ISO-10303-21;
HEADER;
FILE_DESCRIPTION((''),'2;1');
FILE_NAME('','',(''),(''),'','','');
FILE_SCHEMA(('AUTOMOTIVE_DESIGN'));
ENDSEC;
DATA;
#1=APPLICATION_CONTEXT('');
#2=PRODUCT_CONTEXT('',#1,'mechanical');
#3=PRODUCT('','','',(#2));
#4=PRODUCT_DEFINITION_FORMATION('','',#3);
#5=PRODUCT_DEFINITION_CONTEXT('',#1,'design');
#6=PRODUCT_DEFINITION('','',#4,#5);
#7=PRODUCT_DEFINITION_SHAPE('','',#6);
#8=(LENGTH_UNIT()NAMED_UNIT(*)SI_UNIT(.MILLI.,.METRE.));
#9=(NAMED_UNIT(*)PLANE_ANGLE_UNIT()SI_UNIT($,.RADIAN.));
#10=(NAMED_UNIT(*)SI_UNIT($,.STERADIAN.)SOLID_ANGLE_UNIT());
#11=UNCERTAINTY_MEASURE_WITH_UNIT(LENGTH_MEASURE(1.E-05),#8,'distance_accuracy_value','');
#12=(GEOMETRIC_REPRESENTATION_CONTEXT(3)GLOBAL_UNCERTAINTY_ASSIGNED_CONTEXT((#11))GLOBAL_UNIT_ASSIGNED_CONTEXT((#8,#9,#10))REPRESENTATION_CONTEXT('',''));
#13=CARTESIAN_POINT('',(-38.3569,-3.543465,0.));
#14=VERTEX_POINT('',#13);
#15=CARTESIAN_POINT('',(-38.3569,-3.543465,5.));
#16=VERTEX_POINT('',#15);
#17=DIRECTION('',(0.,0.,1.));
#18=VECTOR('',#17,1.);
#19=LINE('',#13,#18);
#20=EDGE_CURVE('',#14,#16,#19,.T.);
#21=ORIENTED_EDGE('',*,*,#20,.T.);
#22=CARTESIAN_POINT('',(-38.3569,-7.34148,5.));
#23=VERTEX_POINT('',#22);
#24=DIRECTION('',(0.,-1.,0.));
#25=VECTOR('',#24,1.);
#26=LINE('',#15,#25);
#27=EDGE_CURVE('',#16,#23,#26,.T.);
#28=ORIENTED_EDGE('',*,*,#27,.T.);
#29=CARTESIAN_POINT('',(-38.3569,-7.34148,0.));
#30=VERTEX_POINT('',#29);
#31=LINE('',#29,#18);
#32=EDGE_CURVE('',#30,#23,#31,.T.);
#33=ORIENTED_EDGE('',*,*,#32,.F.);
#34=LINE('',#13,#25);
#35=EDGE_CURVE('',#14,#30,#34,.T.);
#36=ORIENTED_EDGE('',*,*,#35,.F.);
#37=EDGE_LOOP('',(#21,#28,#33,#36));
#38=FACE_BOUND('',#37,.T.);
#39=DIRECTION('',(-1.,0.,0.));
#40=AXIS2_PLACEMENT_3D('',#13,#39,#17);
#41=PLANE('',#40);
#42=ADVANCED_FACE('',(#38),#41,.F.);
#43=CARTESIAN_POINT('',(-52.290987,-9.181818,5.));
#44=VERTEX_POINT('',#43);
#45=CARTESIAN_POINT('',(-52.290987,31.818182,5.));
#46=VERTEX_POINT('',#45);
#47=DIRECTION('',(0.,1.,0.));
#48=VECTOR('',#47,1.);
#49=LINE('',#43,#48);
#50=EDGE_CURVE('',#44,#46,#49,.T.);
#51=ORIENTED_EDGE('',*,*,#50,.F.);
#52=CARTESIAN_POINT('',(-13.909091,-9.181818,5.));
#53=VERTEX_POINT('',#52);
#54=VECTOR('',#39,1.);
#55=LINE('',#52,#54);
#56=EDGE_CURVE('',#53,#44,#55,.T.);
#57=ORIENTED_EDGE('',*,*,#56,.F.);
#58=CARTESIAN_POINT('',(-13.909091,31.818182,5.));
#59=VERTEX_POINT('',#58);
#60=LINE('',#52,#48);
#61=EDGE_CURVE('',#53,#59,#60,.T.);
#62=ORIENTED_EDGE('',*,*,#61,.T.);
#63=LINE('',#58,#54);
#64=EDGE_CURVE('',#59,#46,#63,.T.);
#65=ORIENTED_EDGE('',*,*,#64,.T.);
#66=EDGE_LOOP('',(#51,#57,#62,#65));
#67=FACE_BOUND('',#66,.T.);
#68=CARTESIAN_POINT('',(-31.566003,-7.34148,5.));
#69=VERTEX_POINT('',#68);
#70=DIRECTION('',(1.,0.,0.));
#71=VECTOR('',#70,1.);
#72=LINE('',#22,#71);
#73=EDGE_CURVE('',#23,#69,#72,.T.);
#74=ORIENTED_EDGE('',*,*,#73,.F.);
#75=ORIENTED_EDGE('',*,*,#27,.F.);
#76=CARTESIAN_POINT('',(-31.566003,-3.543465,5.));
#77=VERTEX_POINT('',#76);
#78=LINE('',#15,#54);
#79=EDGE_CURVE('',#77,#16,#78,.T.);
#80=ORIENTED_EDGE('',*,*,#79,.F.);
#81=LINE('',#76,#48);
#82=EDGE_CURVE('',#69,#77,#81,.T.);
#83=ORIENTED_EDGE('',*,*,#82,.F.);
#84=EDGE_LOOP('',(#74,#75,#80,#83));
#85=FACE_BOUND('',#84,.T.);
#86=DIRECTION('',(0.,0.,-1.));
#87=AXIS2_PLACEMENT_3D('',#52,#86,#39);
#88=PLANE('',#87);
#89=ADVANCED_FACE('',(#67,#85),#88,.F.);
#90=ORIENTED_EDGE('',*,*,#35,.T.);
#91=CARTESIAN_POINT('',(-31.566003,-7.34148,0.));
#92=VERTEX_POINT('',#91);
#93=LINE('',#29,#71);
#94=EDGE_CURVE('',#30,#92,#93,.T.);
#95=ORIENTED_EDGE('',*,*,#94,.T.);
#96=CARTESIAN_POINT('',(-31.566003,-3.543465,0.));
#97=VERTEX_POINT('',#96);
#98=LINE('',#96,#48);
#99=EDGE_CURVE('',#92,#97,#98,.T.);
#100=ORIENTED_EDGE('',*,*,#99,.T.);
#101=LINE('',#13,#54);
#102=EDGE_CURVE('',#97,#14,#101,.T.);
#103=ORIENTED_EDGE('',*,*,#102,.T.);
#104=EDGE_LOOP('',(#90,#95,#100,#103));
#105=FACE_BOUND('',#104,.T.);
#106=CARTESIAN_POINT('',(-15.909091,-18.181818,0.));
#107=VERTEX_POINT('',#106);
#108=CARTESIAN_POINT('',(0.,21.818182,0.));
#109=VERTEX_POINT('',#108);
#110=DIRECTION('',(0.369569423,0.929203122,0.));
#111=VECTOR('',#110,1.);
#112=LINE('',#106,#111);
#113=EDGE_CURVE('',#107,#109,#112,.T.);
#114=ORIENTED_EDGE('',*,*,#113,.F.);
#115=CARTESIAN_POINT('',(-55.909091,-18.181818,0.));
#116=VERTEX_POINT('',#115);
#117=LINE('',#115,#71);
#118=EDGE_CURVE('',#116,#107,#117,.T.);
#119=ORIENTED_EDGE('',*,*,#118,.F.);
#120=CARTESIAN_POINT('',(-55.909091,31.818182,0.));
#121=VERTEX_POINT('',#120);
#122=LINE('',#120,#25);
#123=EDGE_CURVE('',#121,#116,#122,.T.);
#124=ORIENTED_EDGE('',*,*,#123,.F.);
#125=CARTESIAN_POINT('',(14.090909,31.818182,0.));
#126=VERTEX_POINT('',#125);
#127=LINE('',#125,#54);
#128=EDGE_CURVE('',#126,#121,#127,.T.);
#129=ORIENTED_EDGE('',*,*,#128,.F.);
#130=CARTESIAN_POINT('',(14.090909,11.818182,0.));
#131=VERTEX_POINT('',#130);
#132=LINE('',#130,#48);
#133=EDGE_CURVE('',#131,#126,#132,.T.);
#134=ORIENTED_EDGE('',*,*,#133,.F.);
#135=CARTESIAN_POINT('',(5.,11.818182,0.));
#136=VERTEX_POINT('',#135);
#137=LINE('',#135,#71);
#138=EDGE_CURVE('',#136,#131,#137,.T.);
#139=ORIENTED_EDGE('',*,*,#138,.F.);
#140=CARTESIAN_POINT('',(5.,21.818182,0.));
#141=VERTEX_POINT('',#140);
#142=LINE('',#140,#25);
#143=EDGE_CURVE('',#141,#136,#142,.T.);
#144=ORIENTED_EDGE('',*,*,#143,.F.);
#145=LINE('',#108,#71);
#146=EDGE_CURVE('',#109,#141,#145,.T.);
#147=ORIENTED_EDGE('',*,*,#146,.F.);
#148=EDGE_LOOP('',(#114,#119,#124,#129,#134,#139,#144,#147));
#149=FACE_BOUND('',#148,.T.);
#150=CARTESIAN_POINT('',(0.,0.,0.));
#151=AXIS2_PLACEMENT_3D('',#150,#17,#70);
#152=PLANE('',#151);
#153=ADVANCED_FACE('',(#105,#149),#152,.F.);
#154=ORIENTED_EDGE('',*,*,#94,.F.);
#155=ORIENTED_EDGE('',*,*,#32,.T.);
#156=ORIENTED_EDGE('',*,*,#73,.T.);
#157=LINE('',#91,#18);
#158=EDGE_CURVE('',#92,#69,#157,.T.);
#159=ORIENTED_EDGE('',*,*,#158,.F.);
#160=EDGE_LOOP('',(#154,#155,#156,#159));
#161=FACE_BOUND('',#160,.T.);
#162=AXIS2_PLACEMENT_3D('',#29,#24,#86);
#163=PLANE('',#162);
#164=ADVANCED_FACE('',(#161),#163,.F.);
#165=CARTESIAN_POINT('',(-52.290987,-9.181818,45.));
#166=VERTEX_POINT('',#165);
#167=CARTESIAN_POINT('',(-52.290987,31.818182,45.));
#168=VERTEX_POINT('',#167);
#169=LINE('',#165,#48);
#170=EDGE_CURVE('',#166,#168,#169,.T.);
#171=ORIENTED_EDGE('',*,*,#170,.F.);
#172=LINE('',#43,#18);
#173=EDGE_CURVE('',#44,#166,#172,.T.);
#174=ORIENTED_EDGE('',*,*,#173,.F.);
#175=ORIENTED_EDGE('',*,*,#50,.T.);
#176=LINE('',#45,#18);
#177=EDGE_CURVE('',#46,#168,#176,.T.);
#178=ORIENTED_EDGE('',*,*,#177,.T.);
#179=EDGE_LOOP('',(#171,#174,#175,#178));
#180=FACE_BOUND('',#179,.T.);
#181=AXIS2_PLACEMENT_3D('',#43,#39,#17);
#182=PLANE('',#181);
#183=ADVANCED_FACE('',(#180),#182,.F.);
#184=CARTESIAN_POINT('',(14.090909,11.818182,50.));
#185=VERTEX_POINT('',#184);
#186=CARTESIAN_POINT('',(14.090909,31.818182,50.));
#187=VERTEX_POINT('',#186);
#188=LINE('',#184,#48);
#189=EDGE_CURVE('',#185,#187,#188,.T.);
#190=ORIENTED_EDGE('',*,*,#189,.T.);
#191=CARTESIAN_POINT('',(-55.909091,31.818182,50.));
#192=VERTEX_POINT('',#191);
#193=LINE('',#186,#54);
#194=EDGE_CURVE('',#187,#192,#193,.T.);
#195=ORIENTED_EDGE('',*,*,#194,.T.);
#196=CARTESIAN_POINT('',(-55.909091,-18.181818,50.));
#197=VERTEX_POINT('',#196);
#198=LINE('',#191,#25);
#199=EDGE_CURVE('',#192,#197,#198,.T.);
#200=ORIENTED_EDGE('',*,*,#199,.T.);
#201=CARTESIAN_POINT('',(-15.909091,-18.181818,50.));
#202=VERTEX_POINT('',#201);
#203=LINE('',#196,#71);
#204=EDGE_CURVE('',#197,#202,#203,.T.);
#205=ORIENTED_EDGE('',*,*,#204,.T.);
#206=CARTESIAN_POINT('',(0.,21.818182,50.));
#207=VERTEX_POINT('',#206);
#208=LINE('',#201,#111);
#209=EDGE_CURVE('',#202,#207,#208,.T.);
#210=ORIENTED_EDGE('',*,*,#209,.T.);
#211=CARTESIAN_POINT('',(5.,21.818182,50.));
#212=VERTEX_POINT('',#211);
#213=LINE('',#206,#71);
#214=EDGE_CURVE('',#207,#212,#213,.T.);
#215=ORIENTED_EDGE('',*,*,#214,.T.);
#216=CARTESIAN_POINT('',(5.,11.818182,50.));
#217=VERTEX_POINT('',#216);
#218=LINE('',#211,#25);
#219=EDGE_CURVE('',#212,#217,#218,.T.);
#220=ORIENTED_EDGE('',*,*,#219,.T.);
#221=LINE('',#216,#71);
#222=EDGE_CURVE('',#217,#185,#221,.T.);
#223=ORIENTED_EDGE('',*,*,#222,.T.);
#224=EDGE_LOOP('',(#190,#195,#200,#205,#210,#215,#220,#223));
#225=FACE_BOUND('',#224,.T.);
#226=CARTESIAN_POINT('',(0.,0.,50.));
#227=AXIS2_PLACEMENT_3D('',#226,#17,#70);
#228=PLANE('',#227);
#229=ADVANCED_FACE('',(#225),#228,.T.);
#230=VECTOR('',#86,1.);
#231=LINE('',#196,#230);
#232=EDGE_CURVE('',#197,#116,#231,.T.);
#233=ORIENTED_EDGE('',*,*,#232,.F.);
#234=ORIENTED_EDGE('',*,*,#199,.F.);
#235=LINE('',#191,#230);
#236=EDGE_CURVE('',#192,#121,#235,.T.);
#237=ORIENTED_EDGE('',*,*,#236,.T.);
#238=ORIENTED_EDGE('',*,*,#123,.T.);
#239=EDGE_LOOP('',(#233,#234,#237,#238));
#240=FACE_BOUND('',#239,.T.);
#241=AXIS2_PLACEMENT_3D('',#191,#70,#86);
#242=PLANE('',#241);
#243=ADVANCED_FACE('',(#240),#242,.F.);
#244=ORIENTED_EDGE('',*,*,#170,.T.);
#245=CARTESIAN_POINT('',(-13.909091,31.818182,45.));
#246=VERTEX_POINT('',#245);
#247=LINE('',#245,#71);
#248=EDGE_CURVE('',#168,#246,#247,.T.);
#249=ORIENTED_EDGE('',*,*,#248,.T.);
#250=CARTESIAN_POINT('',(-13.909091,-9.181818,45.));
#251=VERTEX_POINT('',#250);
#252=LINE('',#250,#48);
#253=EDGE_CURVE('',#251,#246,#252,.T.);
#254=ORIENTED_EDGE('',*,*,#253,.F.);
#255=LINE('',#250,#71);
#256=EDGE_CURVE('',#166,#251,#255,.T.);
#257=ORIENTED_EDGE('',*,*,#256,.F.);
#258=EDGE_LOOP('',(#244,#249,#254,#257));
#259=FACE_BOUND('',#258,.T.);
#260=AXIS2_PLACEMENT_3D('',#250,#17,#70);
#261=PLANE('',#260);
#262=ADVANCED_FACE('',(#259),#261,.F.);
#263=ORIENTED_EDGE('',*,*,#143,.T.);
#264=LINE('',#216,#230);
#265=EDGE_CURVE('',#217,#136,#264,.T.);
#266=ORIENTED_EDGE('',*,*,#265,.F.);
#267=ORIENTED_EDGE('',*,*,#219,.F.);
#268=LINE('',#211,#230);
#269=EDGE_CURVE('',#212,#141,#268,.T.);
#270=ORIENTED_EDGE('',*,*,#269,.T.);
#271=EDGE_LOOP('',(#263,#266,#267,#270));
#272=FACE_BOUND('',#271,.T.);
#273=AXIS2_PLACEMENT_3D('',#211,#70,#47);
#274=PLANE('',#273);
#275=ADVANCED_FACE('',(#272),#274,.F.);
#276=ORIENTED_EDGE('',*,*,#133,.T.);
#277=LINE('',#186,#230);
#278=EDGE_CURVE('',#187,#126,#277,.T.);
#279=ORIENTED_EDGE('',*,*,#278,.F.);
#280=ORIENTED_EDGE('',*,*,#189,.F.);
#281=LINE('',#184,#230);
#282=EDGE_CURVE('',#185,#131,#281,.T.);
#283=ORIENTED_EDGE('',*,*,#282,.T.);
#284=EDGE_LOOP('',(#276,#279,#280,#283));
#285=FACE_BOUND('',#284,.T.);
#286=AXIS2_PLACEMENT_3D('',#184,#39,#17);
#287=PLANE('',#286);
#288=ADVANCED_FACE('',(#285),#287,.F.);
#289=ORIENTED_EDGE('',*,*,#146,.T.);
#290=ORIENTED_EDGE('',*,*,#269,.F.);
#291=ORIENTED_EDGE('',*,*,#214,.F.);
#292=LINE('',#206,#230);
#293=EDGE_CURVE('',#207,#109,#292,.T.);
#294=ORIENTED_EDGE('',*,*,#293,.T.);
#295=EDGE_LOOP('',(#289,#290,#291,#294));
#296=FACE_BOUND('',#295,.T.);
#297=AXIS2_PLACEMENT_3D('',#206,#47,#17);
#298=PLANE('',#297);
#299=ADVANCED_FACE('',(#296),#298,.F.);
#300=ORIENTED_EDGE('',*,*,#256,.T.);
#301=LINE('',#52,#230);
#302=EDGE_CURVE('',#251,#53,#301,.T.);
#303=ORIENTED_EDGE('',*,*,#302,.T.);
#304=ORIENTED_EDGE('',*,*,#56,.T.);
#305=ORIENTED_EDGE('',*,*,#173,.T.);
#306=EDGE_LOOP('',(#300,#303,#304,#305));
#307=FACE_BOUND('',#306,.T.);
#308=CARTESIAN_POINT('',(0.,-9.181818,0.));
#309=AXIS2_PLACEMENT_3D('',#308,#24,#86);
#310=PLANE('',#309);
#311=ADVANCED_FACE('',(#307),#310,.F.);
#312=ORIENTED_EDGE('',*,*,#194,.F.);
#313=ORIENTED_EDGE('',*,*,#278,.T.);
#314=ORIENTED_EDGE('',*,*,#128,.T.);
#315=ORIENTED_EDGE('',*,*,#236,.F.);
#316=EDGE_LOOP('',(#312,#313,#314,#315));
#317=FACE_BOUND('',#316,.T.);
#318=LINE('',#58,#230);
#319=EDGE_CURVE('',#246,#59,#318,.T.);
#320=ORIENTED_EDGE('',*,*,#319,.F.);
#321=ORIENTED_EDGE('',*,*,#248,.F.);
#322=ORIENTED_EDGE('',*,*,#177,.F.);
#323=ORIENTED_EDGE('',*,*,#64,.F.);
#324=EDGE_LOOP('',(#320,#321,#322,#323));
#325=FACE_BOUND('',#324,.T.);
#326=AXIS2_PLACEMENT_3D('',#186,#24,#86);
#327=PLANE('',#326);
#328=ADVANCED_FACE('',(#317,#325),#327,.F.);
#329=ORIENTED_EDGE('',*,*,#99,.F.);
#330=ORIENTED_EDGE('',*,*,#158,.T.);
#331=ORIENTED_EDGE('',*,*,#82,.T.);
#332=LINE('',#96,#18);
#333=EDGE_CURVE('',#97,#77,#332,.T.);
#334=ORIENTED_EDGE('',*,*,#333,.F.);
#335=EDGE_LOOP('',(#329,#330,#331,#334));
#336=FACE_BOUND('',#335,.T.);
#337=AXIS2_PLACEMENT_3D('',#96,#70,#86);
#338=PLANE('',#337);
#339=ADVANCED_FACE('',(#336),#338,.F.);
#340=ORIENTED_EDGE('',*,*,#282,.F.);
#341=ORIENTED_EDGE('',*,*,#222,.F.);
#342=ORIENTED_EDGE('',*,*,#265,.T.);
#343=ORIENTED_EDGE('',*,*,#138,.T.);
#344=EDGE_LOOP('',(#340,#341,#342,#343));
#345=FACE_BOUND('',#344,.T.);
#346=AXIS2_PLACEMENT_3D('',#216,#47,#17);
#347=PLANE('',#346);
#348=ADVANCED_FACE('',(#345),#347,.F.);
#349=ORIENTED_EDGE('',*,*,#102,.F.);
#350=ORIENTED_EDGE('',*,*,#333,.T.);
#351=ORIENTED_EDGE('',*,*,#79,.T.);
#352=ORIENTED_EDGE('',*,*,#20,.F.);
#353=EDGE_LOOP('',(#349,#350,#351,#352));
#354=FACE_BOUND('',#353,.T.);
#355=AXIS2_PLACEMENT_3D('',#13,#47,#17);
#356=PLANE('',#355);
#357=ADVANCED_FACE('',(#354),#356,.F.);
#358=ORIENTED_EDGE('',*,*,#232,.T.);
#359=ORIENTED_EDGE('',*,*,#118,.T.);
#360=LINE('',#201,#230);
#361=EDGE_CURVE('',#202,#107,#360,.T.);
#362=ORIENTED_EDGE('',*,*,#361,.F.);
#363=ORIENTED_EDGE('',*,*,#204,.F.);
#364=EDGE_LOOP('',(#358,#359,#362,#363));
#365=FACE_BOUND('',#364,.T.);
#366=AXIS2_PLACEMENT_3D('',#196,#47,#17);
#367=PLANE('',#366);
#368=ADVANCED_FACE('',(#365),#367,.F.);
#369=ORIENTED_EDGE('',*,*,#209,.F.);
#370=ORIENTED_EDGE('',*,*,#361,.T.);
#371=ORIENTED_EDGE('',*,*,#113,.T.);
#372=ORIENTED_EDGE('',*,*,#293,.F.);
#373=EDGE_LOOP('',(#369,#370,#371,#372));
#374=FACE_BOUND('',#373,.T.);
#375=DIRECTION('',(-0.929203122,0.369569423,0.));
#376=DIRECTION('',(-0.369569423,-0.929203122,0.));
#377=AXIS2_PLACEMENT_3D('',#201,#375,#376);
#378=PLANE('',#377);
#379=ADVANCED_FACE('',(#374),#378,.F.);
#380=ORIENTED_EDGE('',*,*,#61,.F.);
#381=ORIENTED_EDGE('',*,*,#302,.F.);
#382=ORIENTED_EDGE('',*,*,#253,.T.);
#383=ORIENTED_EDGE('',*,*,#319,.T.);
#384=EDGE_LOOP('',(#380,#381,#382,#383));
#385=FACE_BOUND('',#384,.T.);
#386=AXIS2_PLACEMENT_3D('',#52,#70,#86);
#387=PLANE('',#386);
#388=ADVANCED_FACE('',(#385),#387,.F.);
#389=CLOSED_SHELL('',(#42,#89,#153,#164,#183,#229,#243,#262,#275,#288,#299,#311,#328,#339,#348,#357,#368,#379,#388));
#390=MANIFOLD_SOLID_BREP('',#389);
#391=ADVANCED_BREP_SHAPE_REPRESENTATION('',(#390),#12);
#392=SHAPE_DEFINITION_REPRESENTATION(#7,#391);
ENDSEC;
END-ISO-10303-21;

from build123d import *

# Parameters (mm, degrees)
BOSS_EXTRUDE1_DEPTH = 50
SKETCH2_W           = 38.381895626
SKETCH2_H           = 40
CUT_EXTRUDE2_DEPTH  = 41
SKETCH4_W           = 6.790896345
SKETCH4_H           = 3.798015254
CUT_EXTRUDE3_DEPTH  = 5


with BuildPart() as part:
    # Sketch1 → Boss-Extrude1 (new body)
    with BuildSketch(Plane.XY):
        Polygon((-55.909090909, 31.818181818), (-55.909090909, -18.181818182), (-15.909090909, -18.181818182), (0, 21.818181818), (5, 21.818181818), (5, 11.818181818), (14.090909091, 11.818181818), (14.090909091, 31.818181818), align=None)
    extrude(amount=BOSS_EXTRUDE1_DEPTH)

    # Sketch2 → Cut-Extrude2 (cut)
    with BuildSketch(Plane(origin=(0, 31.818181818, 0), x_dir=(1, 0, 0), z_dir=(0, 1, 0))):
        with Locations((-33.100038722, -25)):
            Rectangle(SKETCH2_W, SKETCH2_H)
    extrude(amount=-CUT_EXTRUDE2_DEPTH, mode=Mode.SUBTRACT)

    # Sketch4 → Cut-Extrude3 (cut)
    with BuildSketch(Plane.XY.offset(5)):
        with Locations((-34.961451434, -5.442472673)):
            Rectangle(SKETCH4_W, SKETCH4_H)
    extrude(amount=-CUT_EXTRUDE3_DEPTH, mode=Mode.SUBTRACT)


solid = part.part
